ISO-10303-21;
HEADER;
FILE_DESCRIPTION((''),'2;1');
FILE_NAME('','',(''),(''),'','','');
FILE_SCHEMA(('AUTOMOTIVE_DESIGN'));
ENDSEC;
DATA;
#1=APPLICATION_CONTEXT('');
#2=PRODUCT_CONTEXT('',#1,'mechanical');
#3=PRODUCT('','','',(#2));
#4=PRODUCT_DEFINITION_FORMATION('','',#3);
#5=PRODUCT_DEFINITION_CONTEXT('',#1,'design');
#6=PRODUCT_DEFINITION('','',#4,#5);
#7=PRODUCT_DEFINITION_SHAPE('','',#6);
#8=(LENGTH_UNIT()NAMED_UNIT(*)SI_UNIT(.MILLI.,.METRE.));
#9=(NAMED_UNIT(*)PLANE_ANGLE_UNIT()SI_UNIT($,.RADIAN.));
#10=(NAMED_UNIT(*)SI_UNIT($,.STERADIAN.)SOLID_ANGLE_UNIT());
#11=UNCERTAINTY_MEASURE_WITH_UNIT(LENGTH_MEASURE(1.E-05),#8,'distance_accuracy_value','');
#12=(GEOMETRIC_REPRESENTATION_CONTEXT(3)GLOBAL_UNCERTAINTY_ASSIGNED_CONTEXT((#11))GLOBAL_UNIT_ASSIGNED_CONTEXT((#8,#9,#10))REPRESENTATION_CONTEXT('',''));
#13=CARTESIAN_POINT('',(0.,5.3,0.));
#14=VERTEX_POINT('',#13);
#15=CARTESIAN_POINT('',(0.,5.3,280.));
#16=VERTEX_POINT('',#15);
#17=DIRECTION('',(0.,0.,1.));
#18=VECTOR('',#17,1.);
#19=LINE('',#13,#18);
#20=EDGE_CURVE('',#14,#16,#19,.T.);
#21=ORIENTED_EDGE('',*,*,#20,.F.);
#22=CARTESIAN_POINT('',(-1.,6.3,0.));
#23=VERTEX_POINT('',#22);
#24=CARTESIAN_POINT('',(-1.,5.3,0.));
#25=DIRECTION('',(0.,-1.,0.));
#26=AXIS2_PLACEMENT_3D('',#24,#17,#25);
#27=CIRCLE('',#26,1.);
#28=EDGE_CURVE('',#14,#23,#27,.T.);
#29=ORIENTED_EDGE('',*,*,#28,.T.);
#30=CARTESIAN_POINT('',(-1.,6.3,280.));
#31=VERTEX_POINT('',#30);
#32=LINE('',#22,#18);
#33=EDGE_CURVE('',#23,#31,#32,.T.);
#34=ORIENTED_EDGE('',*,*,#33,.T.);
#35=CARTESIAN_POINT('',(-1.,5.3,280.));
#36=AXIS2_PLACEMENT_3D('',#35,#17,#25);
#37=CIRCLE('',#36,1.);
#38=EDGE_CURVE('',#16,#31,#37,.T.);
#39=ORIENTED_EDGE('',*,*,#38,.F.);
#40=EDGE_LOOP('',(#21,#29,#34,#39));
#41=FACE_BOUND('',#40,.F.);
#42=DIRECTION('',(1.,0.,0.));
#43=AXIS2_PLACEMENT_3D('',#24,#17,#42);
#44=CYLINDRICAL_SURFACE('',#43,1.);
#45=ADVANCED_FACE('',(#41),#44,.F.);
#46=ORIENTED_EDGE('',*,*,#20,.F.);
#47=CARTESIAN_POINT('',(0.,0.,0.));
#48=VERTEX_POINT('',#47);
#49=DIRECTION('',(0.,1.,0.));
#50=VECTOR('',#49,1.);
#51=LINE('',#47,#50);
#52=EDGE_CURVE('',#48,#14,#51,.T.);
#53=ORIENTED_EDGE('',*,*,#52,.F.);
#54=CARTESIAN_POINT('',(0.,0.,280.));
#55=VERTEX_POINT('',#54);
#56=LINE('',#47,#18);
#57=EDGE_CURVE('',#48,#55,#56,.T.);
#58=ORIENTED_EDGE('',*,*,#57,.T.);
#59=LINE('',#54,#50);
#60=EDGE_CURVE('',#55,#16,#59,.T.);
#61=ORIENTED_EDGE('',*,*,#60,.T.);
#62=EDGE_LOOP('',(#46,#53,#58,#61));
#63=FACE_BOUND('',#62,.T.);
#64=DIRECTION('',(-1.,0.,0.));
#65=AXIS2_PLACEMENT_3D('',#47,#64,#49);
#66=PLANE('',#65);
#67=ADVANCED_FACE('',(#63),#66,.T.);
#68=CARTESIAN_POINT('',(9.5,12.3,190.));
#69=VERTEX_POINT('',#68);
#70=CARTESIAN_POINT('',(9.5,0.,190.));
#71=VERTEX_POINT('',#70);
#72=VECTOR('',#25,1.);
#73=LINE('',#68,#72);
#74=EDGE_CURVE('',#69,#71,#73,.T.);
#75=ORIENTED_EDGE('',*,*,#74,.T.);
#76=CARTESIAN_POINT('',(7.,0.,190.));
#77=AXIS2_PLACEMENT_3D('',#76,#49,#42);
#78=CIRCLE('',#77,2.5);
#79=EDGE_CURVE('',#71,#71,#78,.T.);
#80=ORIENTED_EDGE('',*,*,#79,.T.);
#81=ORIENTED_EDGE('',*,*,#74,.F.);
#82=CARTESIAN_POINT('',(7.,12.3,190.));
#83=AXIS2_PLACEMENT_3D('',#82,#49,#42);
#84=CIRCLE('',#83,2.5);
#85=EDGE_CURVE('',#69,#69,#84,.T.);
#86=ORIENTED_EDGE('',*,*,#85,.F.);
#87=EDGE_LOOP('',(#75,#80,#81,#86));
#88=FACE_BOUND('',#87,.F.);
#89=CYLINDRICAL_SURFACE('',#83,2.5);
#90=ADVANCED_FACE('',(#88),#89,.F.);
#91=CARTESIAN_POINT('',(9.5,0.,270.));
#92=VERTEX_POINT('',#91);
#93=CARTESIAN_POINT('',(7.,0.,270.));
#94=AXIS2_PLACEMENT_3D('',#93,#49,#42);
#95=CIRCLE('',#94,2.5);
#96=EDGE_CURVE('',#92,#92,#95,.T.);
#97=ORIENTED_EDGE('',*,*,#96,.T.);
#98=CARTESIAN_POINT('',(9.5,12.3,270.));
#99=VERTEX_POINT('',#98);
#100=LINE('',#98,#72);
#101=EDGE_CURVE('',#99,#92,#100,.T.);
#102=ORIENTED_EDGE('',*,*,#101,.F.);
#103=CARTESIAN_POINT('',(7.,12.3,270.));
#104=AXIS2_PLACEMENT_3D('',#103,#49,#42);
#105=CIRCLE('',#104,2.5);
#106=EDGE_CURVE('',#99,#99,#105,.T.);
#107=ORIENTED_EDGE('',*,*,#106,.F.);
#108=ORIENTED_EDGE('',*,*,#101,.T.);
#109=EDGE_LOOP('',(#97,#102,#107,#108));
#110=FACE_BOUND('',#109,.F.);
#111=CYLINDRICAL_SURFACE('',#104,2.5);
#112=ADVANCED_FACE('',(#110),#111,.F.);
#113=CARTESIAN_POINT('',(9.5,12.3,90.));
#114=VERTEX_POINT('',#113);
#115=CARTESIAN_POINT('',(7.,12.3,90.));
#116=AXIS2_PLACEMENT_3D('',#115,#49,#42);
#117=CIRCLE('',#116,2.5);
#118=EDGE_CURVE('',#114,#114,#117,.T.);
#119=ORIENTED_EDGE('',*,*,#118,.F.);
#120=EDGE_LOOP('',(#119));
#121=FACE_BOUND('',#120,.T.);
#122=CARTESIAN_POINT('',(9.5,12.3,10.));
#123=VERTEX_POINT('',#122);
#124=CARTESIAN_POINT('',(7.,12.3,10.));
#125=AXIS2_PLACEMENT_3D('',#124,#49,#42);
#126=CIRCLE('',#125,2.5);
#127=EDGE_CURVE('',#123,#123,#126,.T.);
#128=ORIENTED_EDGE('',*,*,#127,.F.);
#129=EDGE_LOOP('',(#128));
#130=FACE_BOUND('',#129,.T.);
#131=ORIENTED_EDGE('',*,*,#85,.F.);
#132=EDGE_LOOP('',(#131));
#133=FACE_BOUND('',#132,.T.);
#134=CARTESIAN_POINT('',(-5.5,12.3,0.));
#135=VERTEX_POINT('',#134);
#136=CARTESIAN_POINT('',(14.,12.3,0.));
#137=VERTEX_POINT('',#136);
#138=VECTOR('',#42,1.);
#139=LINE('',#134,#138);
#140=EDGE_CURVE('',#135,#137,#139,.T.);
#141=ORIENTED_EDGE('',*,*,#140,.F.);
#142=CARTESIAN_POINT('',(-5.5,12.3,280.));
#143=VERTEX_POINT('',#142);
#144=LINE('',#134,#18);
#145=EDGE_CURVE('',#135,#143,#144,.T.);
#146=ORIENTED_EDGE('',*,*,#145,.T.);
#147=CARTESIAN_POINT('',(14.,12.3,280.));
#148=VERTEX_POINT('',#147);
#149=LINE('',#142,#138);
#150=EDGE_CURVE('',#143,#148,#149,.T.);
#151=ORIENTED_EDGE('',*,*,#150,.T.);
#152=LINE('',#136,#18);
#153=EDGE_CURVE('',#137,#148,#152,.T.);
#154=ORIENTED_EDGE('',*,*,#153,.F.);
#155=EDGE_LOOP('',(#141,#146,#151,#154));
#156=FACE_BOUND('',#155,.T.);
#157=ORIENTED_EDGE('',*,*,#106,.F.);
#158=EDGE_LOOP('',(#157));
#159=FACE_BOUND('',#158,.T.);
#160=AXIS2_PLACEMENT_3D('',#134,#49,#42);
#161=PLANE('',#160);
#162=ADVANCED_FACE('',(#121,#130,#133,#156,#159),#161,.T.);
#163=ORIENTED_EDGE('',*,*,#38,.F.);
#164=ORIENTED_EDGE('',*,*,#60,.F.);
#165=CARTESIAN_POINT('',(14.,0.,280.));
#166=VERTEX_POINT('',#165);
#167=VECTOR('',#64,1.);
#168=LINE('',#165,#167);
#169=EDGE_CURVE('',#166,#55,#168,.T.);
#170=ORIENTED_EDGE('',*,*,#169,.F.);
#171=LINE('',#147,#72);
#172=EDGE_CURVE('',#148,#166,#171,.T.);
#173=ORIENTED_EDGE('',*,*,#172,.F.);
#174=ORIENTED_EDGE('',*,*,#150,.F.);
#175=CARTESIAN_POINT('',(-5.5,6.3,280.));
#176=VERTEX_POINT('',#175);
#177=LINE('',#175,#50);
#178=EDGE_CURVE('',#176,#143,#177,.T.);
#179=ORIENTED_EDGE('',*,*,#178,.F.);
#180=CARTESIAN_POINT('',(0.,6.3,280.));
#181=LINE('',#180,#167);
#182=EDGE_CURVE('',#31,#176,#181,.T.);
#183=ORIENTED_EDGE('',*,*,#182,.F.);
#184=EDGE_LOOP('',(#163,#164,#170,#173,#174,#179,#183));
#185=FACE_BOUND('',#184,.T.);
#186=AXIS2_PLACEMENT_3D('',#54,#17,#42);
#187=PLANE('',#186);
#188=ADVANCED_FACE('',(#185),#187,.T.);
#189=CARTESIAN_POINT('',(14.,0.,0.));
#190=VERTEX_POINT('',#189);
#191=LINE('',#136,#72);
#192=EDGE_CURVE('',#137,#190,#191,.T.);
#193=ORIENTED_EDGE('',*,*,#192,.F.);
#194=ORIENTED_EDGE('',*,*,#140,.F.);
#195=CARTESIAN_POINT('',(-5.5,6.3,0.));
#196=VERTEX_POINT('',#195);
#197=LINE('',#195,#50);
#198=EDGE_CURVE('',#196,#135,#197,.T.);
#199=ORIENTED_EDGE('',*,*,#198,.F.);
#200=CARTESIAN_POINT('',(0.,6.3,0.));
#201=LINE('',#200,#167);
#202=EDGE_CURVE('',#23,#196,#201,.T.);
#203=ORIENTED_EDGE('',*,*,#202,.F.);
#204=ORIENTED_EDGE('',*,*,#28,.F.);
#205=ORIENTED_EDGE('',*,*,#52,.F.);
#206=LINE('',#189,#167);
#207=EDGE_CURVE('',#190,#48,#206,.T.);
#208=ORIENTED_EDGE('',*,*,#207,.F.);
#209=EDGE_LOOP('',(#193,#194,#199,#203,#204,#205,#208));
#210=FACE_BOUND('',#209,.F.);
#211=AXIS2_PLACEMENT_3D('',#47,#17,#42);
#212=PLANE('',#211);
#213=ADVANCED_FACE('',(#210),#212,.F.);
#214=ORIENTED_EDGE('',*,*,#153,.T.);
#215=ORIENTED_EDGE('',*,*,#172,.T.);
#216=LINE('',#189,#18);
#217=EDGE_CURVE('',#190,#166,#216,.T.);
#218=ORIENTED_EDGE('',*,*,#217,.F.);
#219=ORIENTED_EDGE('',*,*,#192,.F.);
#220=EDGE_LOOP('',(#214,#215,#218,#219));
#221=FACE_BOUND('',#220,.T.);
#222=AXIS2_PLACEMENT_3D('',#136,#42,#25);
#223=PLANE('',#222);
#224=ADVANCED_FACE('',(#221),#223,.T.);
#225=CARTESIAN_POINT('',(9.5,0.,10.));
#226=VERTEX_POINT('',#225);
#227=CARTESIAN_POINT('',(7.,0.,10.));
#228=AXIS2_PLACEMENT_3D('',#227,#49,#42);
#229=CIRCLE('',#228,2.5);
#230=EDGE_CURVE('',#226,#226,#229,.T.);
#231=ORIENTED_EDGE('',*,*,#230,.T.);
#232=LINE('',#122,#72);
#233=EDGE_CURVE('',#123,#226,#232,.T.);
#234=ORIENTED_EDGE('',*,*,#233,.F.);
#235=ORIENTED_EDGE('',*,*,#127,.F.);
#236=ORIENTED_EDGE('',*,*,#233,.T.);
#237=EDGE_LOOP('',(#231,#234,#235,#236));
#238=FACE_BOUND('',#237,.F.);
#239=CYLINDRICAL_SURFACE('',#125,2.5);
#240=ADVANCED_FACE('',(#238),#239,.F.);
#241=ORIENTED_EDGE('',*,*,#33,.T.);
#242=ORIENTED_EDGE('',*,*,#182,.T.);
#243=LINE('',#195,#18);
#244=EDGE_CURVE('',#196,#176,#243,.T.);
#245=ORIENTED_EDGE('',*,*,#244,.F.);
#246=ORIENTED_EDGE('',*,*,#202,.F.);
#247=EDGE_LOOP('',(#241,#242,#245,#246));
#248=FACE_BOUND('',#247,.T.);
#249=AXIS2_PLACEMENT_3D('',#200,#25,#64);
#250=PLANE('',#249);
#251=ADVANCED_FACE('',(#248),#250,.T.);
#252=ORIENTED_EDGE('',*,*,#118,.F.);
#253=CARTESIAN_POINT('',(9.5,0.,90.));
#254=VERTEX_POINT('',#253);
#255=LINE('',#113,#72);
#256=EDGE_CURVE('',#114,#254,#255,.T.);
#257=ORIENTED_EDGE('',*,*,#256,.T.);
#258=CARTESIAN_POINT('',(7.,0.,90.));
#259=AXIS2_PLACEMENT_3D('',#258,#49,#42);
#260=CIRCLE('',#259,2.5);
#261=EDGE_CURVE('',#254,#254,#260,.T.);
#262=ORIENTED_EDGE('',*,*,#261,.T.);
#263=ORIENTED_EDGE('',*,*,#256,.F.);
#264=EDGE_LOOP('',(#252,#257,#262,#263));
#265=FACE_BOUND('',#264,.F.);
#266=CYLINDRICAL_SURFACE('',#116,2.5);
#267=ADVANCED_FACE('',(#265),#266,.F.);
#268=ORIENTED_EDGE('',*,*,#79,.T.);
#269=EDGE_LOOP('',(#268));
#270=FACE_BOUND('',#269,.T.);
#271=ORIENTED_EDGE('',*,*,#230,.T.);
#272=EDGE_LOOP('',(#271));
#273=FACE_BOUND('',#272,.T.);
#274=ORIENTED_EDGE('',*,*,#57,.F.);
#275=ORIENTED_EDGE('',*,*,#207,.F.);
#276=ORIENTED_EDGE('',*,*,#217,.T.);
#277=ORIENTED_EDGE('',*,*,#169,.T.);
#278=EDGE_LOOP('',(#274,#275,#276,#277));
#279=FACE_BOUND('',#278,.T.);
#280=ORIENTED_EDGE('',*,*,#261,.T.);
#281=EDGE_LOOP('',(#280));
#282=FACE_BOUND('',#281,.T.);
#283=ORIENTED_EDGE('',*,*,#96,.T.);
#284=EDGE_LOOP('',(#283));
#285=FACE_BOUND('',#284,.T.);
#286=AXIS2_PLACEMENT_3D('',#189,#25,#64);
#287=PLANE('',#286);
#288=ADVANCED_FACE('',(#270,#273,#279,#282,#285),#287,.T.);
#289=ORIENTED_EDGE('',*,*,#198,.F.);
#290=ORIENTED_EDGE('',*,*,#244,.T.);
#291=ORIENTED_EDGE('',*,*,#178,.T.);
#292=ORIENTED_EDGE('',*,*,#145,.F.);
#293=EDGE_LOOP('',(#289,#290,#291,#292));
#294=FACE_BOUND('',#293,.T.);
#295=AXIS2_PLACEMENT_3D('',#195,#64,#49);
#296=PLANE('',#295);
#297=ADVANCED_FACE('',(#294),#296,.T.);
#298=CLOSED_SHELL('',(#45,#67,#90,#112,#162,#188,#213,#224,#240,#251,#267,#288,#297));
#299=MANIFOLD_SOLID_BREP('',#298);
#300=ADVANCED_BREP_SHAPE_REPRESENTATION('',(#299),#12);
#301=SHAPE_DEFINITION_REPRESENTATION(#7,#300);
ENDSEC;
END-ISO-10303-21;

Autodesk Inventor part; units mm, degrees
ref_plane "YZ Plane" through (0, 0, 0) normal (1, 0, 0) x (0, 1, 0)
ref_plane "XZ Plane" through (0, 0, 0) normal (0, 1, 0) x (-1, 0, 0)
ref_plane "XY Plane" through (0, 0, 0) normal (0, 0, 1) x (1, 0, 0)
sketch "Sketch1" plane through (0, 0, 0) normal (0, 0, 1) x (1, 0, 0)
  line L0 (14, 12.3) -> (14, 0)
  line L1 (14, 0) -> (0, 0)
  line L2 (0, 0) -> (0, 6.3)
  line L3 (-5.5, 12.3) -> (14, 12.3)
  line L4 (0, 6.3) -> (-5.5, 6.3)
  line L5 (-5.5, 6.3) -> (-5.5, 12.3)
  dimension "d1" = 6.3
  dimension "d2" = 6
  dimension "d4" = 14
  dimension "d5" = 5.5
extrude "Extrusion1" add sketch "Sketch1" along normal blind 280
sketch "Sketch2" plane through (-5.5, 12.3, 0) normal (0, 1, 0) x (1, 0, 0)
  circle A0 centre (12.5, -270) radius 2.5
  circle A1 centre (12.5, -10) radius 2.5
  circle A2 centre (12.5, -190) radius 2.5
  line L0 (19.5, -280) -> (0, -280) projected
  line L1 (19.5, 0) -> (19.5, -280) projected
  line L2 (19.5, 0) -> (0, 0) projected
  circle A3 centre (12.5, -90) radius 2.5
  point P0 (5.5, 0)
  dimension "d8" = 5
  dimension "d9" = 10
  dimension "d10" = 7
  dimension "d11" = 10
  dimension "d12" = 7
  dimension "d13" = 7
  dimension "d14" = 90
  dimension "d15" = 5
  dimension "d16" = 90
  dimension "d17" = 7
extrude "Extrusion2" cut sketch "Sketch2" against normal through all
fillet "Fillet1" radius 1 1 edges at (0, 6.3, 140)
properties part number "1324_Clamp Rail_V1" material "Acetal Resin, White"
